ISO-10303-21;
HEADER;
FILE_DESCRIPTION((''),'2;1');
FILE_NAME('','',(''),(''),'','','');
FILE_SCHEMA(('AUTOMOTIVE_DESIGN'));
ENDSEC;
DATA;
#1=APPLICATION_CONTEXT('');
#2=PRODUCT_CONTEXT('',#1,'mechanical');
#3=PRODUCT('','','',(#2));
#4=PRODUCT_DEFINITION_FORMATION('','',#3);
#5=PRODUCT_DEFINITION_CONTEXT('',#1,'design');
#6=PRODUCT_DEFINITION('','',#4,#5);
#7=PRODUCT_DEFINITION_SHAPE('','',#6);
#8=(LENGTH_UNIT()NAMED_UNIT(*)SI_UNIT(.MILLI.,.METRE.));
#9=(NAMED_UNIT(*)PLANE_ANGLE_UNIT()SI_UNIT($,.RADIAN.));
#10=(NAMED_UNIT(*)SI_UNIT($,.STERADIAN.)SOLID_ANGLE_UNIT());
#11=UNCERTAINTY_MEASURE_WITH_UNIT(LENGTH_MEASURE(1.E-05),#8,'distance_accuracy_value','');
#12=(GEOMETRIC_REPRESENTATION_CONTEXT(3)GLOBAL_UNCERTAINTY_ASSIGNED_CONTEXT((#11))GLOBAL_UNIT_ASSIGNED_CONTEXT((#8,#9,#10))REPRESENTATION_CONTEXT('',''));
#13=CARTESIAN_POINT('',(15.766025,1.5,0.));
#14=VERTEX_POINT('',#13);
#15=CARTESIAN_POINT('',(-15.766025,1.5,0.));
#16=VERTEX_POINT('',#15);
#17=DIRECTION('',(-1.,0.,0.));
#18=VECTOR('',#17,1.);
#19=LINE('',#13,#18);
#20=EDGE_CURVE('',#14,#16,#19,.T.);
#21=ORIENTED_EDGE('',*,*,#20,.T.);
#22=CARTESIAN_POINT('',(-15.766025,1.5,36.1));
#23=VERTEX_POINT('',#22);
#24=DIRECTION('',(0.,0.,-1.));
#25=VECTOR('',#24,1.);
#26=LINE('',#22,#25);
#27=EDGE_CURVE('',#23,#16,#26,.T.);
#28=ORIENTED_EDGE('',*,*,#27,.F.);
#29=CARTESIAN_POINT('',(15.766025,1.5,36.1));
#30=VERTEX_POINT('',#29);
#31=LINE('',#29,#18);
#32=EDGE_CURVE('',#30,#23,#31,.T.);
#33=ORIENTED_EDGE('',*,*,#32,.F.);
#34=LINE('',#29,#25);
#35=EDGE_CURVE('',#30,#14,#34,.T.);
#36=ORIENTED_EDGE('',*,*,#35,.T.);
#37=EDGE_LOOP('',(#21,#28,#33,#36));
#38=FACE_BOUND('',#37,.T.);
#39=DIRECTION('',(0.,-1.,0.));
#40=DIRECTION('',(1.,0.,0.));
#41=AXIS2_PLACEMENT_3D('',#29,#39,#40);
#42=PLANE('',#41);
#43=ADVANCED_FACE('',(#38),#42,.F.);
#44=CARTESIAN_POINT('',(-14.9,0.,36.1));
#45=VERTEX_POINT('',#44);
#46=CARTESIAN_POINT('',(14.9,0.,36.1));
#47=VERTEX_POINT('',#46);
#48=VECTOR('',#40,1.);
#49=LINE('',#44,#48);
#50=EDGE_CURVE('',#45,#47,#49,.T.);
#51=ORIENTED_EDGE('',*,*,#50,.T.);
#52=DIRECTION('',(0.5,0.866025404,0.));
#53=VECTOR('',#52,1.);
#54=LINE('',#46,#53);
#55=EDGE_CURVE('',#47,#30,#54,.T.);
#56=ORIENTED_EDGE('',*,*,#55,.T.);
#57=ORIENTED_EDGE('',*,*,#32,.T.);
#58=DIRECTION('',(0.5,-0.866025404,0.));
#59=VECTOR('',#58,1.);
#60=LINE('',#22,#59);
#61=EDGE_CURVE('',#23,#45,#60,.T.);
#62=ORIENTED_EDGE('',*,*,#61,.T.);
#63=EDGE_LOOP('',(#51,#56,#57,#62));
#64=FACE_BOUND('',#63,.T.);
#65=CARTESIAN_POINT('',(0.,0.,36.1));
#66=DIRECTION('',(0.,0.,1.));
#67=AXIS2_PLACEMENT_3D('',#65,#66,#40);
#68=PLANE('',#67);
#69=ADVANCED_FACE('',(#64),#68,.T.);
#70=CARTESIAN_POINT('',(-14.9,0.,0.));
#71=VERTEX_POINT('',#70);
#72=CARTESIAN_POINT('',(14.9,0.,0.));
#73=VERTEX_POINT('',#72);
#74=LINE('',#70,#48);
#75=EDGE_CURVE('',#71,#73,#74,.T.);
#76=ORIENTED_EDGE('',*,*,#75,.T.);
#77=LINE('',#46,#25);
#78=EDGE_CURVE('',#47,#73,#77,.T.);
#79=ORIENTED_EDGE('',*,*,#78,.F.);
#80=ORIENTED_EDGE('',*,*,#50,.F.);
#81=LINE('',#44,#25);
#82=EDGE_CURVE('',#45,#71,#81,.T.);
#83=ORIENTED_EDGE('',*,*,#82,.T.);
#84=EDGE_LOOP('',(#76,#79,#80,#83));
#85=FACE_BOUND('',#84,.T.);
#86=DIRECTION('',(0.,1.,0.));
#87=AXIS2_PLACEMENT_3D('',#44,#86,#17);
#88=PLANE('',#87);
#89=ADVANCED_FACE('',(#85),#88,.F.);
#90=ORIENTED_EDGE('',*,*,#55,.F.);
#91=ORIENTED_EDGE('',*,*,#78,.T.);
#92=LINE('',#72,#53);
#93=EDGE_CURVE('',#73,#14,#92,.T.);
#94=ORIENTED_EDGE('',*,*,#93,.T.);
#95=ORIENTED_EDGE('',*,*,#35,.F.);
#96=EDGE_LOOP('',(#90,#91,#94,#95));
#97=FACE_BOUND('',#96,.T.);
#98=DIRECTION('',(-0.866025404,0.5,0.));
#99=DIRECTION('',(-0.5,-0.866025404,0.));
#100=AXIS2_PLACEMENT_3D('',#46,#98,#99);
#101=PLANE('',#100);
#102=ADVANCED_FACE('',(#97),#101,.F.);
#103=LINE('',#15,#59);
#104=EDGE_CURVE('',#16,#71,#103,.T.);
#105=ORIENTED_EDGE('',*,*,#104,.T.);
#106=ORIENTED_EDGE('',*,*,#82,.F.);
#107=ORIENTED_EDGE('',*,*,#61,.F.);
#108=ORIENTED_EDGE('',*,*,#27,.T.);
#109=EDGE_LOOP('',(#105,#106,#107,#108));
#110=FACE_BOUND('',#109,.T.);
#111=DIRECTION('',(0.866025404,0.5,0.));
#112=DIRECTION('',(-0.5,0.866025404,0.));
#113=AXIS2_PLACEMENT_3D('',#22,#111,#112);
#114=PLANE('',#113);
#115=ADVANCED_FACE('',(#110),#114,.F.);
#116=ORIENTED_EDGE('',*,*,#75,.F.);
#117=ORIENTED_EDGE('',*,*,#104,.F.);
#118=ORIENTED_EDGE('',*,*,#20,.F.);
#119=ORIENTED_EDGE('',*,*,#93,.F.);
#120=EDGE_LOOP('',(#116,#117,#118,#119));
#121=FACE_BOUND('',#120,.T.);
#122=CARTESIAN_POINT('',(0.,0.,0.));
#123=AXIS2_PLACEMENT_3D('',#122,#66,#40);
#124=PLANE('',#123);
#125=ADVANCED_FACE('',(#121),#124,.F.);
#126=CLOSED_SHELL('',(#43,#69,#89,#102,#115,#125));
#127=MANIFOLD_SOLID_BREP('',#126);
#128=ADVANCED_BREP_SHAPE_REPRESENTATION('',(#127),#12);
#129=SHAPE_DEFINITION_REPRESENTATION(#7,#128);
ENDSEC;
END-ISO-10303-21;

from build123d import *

# Parameters (mm, degrees)
BOSS_EXTRUDE1_DEPTH = 36.1


with BuildPart() as part:
    # Sketch1 → Boss-Extrude1 (new body)
    with BuildSketch(Plane.XY):
        Polygon((-14.9, 0), (14.9, 0), (15.766025404, 1.5), (-15.766025404, 1.5), align=None)
    extrude(amount=BOSS_EXTRUDE1_DEPTH)


solid = part.part
